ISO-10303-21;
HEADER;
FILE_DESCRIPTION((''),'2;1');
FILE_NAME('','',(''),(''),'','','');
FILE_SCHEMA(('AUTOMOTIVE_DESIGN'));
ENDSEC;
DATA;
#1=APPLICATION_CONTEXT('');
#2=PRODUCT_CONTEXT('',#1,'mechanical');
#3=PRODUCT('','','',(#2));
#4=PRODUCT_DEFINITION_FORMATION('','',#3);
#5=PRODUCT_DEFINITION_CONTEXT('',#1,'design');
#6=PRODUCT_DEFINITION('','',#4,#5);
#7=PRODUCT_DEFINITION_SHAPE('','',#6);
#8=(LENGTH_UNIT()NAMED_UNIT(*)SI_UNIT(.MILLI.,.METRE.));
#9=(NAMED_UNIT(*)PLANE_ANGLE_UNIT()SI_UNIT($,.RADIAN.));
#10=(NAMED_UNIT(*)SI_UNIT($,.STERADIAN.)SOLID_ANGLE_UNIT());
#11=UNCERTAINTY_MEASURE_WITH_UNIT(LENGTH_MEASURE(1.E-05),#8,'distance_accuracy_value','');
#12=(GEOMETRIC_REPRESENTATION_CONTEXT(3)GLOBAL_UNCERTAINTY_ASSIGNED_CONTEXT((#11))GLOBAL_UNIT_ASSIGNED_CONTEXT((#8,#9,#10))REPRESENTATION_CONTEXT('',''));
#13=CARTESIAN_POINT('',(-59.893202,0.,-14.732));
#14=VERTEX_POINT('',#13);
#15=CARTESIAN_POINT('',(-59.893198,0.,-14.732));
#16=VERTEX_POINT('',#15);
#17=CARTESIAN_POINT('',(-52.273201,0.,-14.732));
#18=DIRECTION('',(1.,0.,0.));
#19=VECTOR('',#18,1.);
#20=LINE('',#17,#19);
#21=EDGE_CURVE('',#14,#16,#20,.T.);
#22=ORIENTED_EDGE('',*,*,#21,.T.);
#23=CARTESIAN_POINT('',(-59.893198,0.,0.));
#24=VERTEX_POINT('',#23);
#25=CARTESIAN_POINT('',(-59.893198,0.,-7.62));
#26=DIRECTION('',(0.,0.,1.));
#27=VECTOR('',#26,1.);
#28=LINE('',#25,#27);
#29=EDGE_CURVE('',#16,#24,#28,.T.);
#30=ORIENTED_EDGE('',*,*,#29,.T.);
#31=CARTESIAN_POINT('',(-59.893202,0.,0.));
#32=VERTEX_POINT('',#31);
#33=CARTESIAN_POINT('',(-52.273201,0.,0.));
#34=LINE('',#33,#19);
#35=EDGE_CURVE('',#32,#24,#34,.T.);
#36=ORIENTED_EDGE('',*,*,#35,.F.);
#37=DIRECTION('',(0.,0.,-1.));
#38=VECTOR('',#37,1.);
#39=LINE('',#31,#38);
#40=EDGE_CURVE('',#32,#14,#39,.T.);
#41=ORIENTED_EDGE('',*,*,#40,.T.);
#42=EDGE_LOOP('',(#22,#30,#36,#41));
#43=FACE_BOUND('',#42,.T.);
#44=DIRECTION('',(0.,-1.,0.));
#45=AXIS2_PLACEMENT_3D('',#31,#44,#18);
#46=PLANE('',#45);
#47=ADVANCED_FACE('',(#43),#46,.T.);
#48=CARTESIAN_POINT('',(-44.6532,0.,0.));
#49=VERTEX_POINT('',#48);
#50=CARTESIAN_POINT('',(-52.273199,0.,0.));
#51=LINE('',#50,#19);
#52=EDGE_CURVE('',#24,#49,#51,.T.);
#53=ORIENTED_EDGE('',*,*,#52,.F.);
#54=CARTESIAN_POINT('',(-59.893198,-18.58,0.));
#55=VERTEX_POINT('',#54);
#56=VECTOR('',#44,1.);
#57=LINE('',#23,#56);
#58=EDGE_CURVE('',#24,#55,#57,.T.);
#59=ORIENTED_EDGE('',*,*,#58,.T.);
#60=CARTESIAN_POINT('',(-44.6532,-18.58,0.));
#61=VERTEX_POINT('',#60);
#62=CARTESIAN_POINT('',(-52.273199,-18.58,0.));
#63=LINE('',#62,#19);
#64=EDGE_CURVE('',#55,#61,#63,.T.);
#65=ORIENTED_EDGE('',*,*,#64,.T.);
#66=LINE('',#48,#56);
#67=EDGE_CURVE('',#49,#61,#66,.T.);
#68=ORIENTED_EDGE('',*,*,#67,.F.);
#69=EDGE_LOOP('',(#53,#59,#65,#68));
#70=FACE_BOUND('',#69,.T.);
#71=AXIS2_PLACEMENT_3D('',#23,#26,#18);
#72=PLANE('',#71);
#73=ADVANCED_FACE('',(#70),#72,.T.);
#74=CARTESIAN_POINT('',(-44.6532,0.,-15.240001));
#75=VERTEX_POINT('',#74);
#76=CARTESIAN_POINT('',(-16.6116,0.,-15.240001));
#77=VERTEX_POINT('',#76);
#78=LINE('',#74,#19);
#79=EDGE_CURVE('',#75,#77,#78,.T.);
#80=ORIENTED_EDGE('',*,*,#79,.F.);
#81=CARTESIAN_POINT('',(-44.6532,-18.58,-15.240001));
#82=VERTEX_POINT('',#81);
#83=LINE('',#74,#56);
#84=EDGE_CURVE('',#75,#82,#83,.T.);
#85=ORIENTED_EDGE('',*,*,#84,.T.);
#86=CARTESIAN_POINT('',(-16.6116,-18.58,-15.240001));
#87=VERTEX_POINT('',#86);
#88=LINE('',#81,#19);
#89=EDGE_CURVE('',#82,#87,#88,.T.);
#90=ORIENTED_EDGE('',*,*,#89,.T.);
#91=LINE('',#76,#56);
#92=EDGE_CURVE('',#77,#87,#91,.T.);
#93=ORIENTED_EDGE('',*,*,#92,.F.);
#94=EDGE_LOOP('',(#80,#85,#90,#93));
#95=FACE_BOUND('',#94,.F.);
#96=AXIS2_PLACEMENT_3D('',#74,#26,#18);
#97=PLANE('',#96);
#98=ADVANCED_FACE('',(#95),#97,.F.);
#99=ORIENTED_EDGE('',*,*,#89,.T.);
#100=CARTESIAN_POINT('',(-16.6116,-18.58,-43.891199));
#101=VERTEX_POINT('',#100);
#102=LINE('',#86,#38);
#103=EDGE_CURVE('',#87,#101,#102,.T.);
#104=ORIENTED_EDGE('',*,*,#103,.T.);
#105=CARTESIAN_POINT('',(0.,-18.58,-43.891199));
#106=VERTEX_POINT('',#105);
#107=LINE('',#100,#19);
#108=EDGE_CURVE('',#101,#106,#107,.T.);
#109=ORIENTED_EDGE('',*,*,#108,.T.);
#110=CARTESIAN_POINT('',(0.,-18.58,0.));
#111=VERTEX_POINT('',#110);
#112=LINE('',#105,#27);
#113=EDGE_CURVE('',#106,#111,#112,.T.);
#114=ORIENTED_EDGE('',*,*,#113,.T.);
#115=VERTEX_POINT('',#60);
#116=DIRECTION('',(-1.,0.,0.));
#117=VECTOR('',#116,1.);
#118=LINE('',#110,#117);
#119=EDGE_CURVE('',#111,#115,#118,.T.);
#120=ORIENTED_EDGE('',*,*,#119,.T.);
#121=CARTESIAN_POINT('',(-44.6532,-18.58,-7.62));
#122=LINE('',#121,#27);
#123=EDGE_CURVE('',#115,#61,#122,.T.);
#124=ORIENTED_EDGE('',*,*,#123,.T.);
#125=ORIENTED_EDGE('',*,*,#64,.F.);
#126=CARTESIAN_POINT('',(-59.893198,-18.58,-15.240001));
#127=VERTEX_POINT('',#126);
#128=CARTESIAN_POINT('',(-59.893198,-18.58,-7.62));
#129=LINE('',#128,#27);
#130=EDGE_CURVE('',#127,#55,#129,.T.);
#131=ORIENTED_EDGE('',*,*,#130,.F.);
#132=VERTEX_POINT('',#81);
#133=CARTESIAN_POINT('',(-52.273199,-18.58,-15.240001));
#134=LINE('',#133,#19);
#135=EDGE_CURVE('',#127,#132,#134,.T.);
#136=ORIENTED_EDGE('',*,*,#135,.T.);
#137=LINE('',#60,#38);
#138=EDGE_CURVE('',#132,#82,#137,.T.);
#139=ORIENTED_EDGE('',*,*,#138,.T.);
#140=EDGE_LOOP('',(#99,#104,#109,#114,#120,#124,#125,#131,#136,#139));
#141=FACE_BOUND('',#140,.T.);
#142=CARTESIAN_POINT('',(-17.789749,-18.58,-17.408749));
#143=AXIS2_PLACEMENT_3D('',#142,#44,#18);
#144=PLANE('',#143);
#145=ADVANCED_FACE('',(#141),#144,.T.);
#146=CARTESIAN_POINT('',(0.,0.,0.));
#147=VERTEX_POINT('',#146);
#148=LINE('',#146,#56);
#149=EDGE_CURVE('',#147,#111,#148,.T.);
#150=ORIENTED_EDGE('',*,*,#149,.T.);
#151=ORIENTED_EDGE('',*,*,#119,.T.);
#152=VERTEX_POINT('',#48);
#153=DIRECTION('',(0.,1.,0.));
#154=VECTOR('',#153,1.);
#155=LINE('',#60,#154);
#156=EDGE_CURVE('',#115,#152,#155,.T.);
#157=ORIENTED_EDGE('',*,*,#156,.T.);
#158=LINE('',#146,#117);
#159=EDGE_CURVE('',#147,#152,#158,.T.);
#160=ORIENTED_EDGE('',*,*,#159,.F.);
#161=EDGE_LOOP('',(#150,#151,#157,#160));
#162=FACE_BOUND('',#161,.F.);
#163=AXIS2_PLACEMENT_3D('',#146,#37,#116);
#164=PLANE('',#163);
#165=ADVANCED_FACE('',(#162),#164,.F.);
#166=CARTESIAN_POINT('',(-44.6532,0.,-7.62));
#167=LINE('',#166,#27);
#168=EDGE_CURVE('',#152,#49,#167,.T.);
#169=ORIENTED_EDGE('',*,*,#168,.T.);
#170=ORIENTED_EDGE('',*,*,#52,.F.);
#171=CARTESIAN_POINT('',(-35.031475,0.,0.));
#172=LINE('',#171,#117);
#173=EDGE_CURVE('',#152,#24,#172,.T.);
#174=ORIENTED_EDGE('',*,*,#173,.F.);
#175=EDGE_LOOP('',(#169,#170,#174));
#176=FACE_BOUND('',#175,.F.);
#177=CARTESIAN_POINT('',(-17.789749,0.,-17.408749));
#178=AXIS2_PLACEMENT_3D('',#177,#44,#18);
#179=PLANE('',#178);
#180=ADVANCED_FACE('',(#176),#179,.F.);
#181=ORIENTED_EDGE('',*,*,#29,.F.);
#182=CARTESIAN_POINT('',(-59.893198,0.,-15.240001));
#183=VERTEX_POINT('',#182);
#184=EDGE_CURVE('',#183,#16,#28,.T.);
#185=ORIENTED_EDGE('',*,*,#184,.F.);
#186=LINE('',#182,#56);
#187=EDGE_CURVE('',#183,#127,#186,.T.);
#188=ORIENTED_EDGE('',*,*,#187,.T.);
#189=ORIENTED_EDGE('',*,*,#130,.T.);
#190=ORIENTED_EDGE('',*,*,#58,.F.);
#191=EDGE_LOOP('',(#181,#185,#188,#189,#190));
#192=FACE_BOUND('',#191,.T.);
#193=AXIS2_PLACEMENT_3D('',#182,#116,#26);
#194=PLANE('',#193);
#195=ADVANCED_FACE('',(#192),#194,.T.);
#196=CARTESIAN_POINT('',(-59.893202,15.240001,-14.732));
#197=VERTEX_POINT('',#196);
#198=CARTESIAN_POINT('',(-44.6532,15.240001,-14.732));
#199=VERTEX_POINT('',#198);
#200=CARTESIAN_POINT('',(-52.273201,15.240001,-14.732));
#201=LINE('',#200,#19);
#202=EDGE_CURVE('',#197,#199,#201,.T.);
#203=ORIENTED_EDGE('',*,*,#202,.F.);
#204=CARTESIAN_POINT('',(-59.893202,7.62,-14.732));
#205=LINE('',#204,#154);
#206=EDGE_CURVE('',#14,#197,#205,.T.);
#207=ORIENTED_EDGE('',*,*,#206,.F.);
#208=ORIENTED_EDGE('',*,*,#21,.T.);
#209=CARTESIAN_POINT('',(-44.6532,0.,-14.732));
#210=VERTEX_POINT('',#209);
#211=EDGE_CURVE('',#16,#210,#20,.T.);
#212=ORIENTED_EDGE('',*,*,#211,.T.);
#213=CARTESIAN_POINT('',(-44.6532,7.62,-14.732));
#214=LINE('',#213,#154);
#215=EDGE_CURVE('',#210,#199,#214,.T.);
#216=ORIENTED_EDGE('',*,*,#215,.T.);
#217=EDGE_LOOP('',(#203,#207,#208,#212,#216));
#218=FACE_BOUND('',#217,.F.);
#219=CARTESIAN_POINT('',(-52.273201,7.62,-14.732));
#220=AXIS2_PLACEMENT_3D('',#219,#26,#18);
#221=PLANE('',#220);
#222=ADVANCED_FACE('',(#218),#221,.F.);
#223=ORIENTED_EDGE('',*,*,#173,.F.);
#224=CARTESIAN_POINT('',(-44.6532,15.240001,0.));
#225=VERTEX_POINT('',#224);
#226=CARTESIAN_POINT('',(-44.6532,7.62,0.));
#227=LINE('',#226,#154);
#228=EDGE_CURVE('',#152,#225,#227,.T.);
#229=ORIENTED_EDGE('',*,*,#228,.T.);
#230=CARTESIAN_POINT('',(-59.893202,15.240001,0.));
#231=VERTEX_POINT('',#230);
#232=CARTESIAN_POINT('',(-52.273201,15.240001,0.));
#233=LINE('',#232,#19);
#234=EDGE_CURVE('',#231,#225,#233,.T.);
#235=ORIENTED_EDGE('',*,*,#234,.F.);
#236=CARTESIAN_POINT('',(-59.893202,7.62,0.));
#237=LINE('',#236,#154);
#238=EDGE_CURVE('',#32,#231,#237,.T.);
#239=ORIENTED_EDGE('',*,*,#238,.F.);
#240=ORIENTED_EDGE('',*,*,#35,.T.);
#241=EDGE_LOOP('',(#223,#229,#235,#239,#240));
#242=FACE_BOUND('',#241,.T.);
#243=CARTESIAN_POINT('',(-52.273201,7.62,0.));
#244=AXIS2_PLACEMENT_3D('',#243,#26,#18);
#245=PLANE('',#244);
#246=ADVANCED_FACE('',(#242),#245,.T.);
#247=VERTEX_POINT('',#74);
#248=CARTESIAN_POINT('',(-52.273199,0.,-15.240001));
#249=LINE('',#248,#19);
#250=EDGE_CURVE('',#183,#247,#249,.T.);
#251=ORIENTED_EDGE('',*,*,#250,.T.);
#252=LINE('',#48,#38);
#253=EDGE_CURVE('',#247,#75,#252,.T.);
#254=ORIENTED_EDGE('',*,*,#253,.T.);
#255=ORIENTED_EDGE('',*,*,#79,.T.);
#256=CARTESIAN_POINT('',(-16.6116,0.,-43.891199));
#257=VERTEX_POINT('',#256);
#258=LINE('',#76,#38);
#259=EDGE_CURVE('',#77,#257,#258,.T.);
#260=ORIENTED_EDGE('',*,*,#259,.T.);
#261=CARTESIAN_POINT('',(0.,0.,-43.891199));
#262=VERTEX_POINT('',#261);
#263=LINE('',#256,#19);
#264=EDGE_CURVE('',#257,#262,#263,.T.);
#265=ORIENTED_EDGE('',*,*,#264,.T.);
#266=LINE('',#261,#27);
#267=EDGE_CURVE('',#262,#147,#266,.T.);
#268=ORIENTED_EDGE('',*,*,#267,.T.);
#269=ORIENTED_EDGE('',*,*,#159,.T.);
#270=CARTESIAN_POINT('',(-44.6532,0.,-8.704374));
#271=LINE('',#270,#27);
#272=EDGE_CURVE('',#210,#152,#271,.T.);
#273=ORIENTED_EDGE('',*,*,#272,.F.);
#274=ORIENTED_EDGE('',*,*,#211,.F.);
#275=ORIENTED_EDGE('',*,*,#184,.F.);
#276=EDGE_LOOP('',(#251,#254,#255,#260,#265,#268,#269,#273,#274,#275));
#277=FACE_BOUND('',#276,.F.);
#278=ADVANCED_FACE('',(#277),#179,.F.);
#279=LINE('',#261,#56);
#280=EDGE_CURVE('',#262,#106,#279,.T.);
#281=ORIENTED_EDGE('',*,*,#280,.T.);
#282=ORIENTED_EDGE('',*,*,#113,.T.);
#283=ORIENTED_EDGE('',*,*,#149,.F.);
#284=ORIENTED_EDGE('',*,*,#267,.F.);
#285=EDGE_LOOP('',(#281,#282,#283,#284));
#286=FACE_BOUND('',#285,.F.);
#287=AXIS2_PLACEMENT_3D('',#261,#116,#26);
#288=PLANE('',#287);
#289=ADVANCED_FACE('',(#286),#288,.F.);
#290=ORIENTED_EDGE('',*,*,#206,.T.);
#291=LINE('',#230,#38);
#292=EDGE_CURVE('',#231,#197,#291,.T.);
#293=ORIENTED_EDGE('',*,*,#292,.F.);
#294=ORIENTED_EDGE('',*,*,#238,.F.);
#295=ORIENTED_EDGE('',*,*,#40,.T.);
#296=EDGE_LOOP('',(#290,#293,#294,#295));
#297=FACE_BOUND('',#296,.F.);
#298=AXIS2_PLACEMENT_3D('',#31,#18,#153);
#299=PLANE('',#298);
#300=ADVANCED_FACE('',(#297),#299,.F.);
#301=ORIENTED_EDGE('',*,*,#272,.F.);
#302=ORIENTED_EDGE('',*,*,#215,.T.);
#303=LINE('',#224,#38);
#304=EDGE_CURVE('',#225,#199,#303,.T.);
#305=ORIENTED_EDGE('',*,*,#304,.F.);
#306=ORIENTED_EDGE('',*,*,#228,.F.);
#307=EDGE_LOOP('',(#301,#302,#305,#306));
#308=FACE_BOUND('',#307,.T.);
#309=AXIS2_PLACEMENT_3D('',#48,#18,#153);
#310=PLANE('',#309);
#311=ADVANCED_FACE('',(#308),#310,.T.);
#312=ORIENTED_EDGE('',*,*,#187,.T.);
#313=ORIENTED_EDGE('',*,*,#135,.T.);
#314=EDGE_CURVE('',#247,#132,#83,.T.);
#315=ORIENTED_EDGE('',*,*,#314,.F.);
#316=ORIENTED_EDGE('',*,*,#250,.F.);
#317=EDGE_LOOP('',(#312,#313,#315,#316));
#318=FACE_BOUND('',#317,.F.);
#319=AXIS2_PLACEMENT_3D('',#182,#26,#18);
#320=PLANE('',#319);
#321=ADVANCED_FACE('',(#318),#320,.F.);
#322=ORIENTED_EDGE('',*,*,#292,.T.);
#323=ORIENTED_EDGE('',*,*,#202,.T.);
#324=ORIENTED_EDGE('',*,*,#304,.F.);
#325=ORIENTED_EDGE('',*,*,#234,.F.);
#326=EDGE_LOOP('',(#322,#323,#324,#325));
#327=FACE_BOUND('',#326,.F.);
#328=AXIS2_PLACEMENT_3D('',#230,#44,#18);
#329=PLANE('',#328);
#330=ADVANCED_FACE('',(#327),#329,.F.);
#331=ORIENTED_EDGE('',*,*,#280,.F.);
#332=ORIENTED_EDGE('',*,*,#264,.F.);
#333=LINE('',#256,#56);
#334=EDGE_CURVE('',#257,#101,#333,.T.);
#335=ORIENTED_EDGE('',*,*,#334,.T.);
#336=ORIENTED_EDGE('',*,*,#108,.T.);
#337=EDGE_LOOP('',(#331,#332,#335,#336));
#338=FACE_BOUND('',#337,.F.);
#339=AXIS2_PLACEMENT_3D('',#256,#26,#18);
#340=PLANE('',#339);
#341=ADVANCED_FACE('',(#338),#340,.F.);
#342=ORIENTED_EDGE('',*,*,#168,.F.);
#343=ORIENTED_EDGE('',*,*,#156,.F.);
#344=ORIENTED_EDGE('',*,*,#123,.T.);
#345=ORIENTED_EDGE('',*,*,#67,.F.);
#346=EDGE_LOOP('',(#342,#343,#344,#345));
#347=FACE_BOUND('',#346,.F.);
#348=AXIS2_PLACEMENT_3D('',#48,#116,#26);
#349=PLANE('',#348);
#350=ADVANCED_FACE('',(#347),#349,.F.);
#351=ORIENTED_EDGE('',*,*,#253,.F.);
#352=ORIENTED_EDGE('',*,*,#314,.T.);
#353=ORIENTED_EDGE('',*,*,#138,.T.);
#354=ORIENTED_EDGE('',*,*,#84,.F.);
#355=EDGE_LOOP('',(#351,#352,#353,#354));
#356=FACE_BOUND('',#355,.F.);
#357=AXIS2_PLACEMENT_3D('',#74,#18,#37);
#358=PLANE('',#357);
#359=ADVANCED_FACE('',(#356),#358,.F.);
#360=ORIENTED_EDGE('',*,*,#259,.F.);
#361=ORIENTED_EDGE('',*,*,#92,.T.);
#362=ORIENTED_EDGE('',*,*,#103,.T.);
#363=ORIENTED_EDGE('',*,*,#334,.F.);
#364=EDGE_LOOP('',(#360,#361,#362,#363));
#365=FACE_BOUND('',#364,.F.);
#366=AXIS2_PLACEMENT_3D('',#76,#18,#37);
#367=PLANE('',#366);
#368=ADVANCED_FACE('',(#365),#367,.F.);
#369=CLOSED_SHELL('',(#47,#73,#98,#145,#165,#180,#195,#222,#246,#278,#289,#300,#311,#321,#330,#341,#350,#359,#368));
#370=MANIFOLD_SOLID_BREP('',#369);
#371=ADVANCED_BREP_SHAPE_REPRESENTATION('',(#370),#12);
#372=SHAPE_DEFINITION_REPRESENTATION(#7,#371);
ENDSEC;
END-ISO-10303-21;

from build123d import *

# Parameters (mm, degrees)
F0_W     = 15.239998
F0_H     = 15.240001
F1_DEPTH = 18.58
F2_W     = 15.240002
F2_H     = 15.240001
F3_DEPTH = 14.732


with BuildPart() as f1:
    # F0 (on Front) → F1 (new body)
    with BuildSketch(Plane.XZ):
        Polygon((0, -43.891199), (0, 0), (-44.6532, 0), (-44.6532, -15.240001), (-16.6116, -15.240001), (-16.6116, -43.891199), align=None)
        with Locations((-52.273199, -7.62)):
            Rectangle(F0_W, F0_H)
    extrude(amount=F1_DEPTH)

    # F2 (on Top) → F3 (join)
    with BuildSketch(Plane.XY):
        with Locations((-52.273201, 7.62)):
            Rectangle(F2_W, F2_H)
    extrude(amount=-F3_DEPTH)


solid = f1.part
